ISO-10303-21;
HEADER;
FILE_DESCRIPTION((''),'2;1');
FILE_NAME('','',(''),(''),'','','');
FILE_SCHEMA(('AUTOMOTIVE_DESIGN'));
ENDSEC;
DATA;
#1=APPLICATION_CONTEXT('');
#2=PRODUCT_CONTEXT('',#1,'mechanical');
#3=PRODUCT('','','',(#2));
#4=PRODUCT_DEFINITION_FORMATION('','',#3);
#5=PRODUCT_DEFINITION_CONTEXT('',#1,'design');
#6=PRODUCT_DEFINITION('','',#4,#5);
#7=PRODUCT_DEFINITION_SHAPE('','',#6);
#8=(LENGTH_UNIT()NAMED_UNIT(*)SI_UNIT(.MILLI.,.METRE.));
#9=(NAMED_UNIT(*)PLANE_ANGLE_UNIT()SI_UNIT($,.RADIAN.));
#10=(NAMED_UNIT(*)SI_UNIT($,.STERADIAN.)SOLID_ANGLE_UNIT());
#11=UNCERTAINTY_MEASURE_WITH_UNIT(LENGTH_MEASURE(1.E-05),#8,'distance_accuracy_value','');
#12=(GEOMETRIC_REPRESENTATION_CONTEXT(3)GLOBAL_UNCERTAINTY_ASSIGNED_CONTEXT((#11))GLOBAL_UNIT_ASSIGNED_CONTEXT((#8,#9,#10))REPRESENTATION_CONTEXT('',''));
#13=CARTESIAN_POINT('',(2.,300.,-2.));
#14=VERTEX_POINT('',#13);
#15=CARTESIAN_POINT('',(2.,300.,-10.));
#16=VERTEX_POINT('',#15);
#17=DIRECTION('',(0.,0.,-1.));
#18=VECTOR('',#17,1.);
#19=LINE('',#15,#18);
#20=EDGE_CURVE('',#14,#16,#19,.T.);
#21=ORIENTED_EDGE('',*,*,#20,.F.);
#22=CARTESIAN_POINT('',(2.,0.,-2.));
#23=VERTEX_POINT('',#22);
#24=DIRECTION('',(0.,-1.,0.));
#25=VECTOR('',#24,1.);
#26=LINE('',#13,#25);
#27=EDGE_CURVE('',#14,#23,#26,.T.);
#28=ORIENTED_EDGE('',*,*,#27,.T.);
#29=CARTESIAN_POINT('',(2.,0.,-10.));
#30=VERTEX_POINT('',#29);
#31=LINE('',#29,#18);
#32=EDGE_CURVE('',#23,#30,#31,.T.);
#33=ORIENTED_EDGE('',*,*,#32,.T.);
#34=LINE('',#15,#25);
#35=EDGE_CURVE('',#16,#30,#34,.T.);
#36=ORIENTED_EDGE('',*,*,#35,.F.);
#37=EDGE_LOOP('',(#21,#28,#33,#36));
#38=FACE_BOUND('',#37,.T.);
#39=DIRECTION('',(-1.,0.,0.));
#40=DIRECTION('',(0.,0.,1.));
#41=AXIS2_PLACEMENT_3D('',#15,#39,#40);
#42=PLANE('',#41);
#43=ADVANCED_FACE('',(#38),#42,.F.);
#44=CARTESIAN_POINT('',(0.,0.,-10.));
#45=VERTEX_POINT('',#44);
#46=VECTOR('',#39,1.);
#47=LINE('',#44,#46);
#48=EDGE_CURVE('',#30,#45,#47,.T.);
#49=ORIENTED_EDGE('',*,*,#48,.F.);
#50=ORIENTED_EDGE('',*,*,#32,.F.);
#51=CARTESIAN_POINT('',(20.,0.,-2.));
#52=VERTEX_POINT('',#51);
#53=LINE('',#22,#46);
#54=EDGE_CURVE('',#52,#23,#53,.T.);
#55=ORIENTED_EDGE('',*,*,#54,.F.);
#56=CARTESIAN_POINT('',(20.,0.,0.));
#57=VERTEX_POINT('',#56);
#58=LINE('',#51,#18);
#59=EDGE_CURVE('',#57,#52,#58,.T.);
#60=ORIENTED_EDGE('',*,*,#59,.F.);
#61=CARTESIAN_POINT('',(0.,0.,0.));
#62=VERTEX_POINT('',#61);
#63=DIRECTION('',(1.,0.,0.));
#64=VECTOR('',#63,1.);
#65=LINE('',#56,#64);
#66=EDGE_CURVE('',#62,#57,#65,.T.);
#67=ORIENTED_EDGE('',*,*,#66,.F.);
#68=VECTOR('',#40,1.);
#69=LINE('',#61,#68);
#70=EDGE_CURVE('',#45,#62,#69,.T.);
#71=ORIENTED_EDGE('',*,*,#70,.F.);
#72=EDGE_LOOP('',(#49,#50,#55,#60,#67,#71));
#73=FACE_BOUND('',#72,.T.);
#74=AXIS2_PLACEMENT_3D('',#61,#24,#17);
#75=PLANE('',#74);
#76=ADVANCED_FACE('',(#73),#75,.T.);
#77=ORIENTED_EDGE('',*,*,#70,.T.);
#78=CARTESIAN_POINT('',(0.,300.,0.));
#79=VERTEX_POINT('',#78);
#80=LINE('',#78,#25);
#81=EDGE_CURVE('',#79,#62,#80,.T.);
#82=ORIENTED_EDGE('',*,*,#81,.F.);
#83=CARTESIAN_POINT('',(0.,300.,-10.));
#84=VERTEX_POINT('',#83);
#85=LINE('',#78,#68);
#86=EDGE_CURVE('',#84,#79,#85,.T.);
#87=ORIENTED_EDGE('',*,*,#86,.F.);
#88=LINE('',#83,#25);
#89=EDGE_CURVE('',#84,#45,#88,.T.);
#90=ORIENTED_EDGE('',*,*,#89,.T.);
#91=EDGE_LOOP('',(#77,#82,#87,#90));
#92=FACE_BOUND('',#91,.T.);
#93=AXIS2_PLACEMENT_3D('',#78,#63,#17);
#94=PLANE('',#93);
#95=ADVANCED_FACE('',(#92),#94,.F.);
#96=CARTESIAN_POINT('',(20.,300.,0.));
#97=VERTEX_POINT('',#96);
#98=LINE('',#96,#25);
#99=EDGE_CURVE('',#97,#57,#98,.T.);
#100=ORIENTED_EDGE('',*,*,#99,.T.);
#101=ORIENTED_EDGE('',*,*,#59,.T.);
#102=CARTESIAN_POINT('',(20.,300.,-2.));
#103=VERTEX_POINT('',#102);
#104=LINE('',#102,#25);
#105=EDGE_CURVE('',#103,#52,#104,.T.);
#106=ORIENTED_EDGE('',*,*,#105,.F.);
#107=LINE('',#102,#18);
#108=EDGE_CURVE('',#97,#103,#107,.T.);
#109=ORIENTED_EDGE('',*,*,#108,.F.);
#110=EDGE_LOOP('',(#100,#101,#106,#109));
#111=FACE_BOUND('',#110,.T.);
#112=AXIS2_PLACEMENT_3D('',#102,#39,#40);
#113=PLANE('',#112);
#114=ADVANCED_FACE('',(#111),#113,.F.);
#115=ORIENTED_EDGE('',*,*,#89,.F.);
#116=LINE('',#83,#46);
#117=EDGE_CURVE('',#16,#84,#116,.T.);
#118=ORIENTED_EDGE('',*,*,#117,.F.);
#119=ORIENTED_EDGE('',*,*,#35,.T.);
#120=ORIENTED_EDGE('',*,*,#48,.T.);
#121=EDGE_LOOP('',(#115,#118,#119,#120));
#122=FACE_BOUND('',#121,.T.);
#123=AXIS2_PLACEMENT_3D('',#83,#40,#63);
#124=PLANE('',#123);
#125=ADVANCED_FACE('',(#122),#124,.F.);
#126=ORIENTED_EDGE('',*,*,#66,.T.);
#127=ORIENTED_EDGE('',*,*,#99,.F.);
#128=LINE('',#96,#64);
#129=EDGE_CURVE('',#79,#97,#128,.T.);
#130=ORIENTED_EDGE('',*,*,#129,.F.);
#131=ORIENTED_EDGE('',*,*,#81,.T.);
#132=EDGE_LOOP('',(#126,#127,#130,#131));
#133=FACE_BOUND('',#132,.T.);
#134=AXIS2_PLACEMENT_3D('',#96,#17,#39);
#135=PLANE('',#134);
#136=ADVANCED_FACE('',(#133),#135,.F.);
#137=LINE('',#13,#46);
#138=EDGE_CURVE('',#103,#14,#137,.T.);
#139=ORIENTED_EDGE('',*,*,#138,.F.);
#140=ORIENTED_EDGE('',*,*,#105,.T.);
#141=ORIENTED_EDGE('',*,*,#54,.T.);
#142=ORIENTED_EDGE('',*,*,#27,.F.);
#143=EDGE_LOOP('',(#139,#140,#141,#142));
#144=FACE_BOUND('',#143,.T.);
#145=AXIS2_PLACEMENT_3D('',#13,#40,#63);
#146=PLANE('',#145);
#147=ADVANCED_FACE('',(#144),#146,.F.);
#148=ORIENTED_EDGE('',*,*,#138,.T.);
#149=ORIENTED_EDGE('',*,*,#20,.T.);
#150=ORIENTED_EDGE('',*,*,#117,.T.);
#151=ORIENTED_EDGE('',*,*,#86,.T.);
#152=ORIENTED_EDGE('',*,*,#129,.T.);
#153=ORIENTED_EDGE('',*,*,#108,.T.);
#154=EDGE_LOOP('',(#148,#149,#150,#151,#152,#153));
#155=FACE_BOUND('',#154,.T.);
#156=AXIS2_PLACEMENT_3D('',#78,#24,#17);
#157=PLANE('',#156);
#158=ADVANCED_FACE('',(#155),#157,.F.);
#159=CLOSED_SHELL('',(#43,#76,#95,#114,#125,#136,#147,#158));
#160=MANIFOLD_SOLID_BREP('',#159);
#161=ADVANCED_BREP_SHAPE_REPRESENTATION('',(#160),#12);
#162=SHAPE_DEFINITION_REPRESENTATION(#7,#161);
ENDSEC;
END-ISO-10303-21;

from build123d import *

# Parameters (mm, degrees)
BOSS_EXTRUDE1_DEPTH = 300


with BuildPart() as part:
    # Sketch1 → Boss-Extrude1 (new body)
    with BuildSketch(Plane(origin=(0, 0, 0), x_dir=(1, 0, 0), z_dir=(0, 1, 0))):
        Polygon((0, 0), (0, 10), (2, 10), (2, 2), (20, 2), (20, 0), align=None)
    extrude(amount=BOSS_EXTRUDE1_DEPTH)


solid = part.part
